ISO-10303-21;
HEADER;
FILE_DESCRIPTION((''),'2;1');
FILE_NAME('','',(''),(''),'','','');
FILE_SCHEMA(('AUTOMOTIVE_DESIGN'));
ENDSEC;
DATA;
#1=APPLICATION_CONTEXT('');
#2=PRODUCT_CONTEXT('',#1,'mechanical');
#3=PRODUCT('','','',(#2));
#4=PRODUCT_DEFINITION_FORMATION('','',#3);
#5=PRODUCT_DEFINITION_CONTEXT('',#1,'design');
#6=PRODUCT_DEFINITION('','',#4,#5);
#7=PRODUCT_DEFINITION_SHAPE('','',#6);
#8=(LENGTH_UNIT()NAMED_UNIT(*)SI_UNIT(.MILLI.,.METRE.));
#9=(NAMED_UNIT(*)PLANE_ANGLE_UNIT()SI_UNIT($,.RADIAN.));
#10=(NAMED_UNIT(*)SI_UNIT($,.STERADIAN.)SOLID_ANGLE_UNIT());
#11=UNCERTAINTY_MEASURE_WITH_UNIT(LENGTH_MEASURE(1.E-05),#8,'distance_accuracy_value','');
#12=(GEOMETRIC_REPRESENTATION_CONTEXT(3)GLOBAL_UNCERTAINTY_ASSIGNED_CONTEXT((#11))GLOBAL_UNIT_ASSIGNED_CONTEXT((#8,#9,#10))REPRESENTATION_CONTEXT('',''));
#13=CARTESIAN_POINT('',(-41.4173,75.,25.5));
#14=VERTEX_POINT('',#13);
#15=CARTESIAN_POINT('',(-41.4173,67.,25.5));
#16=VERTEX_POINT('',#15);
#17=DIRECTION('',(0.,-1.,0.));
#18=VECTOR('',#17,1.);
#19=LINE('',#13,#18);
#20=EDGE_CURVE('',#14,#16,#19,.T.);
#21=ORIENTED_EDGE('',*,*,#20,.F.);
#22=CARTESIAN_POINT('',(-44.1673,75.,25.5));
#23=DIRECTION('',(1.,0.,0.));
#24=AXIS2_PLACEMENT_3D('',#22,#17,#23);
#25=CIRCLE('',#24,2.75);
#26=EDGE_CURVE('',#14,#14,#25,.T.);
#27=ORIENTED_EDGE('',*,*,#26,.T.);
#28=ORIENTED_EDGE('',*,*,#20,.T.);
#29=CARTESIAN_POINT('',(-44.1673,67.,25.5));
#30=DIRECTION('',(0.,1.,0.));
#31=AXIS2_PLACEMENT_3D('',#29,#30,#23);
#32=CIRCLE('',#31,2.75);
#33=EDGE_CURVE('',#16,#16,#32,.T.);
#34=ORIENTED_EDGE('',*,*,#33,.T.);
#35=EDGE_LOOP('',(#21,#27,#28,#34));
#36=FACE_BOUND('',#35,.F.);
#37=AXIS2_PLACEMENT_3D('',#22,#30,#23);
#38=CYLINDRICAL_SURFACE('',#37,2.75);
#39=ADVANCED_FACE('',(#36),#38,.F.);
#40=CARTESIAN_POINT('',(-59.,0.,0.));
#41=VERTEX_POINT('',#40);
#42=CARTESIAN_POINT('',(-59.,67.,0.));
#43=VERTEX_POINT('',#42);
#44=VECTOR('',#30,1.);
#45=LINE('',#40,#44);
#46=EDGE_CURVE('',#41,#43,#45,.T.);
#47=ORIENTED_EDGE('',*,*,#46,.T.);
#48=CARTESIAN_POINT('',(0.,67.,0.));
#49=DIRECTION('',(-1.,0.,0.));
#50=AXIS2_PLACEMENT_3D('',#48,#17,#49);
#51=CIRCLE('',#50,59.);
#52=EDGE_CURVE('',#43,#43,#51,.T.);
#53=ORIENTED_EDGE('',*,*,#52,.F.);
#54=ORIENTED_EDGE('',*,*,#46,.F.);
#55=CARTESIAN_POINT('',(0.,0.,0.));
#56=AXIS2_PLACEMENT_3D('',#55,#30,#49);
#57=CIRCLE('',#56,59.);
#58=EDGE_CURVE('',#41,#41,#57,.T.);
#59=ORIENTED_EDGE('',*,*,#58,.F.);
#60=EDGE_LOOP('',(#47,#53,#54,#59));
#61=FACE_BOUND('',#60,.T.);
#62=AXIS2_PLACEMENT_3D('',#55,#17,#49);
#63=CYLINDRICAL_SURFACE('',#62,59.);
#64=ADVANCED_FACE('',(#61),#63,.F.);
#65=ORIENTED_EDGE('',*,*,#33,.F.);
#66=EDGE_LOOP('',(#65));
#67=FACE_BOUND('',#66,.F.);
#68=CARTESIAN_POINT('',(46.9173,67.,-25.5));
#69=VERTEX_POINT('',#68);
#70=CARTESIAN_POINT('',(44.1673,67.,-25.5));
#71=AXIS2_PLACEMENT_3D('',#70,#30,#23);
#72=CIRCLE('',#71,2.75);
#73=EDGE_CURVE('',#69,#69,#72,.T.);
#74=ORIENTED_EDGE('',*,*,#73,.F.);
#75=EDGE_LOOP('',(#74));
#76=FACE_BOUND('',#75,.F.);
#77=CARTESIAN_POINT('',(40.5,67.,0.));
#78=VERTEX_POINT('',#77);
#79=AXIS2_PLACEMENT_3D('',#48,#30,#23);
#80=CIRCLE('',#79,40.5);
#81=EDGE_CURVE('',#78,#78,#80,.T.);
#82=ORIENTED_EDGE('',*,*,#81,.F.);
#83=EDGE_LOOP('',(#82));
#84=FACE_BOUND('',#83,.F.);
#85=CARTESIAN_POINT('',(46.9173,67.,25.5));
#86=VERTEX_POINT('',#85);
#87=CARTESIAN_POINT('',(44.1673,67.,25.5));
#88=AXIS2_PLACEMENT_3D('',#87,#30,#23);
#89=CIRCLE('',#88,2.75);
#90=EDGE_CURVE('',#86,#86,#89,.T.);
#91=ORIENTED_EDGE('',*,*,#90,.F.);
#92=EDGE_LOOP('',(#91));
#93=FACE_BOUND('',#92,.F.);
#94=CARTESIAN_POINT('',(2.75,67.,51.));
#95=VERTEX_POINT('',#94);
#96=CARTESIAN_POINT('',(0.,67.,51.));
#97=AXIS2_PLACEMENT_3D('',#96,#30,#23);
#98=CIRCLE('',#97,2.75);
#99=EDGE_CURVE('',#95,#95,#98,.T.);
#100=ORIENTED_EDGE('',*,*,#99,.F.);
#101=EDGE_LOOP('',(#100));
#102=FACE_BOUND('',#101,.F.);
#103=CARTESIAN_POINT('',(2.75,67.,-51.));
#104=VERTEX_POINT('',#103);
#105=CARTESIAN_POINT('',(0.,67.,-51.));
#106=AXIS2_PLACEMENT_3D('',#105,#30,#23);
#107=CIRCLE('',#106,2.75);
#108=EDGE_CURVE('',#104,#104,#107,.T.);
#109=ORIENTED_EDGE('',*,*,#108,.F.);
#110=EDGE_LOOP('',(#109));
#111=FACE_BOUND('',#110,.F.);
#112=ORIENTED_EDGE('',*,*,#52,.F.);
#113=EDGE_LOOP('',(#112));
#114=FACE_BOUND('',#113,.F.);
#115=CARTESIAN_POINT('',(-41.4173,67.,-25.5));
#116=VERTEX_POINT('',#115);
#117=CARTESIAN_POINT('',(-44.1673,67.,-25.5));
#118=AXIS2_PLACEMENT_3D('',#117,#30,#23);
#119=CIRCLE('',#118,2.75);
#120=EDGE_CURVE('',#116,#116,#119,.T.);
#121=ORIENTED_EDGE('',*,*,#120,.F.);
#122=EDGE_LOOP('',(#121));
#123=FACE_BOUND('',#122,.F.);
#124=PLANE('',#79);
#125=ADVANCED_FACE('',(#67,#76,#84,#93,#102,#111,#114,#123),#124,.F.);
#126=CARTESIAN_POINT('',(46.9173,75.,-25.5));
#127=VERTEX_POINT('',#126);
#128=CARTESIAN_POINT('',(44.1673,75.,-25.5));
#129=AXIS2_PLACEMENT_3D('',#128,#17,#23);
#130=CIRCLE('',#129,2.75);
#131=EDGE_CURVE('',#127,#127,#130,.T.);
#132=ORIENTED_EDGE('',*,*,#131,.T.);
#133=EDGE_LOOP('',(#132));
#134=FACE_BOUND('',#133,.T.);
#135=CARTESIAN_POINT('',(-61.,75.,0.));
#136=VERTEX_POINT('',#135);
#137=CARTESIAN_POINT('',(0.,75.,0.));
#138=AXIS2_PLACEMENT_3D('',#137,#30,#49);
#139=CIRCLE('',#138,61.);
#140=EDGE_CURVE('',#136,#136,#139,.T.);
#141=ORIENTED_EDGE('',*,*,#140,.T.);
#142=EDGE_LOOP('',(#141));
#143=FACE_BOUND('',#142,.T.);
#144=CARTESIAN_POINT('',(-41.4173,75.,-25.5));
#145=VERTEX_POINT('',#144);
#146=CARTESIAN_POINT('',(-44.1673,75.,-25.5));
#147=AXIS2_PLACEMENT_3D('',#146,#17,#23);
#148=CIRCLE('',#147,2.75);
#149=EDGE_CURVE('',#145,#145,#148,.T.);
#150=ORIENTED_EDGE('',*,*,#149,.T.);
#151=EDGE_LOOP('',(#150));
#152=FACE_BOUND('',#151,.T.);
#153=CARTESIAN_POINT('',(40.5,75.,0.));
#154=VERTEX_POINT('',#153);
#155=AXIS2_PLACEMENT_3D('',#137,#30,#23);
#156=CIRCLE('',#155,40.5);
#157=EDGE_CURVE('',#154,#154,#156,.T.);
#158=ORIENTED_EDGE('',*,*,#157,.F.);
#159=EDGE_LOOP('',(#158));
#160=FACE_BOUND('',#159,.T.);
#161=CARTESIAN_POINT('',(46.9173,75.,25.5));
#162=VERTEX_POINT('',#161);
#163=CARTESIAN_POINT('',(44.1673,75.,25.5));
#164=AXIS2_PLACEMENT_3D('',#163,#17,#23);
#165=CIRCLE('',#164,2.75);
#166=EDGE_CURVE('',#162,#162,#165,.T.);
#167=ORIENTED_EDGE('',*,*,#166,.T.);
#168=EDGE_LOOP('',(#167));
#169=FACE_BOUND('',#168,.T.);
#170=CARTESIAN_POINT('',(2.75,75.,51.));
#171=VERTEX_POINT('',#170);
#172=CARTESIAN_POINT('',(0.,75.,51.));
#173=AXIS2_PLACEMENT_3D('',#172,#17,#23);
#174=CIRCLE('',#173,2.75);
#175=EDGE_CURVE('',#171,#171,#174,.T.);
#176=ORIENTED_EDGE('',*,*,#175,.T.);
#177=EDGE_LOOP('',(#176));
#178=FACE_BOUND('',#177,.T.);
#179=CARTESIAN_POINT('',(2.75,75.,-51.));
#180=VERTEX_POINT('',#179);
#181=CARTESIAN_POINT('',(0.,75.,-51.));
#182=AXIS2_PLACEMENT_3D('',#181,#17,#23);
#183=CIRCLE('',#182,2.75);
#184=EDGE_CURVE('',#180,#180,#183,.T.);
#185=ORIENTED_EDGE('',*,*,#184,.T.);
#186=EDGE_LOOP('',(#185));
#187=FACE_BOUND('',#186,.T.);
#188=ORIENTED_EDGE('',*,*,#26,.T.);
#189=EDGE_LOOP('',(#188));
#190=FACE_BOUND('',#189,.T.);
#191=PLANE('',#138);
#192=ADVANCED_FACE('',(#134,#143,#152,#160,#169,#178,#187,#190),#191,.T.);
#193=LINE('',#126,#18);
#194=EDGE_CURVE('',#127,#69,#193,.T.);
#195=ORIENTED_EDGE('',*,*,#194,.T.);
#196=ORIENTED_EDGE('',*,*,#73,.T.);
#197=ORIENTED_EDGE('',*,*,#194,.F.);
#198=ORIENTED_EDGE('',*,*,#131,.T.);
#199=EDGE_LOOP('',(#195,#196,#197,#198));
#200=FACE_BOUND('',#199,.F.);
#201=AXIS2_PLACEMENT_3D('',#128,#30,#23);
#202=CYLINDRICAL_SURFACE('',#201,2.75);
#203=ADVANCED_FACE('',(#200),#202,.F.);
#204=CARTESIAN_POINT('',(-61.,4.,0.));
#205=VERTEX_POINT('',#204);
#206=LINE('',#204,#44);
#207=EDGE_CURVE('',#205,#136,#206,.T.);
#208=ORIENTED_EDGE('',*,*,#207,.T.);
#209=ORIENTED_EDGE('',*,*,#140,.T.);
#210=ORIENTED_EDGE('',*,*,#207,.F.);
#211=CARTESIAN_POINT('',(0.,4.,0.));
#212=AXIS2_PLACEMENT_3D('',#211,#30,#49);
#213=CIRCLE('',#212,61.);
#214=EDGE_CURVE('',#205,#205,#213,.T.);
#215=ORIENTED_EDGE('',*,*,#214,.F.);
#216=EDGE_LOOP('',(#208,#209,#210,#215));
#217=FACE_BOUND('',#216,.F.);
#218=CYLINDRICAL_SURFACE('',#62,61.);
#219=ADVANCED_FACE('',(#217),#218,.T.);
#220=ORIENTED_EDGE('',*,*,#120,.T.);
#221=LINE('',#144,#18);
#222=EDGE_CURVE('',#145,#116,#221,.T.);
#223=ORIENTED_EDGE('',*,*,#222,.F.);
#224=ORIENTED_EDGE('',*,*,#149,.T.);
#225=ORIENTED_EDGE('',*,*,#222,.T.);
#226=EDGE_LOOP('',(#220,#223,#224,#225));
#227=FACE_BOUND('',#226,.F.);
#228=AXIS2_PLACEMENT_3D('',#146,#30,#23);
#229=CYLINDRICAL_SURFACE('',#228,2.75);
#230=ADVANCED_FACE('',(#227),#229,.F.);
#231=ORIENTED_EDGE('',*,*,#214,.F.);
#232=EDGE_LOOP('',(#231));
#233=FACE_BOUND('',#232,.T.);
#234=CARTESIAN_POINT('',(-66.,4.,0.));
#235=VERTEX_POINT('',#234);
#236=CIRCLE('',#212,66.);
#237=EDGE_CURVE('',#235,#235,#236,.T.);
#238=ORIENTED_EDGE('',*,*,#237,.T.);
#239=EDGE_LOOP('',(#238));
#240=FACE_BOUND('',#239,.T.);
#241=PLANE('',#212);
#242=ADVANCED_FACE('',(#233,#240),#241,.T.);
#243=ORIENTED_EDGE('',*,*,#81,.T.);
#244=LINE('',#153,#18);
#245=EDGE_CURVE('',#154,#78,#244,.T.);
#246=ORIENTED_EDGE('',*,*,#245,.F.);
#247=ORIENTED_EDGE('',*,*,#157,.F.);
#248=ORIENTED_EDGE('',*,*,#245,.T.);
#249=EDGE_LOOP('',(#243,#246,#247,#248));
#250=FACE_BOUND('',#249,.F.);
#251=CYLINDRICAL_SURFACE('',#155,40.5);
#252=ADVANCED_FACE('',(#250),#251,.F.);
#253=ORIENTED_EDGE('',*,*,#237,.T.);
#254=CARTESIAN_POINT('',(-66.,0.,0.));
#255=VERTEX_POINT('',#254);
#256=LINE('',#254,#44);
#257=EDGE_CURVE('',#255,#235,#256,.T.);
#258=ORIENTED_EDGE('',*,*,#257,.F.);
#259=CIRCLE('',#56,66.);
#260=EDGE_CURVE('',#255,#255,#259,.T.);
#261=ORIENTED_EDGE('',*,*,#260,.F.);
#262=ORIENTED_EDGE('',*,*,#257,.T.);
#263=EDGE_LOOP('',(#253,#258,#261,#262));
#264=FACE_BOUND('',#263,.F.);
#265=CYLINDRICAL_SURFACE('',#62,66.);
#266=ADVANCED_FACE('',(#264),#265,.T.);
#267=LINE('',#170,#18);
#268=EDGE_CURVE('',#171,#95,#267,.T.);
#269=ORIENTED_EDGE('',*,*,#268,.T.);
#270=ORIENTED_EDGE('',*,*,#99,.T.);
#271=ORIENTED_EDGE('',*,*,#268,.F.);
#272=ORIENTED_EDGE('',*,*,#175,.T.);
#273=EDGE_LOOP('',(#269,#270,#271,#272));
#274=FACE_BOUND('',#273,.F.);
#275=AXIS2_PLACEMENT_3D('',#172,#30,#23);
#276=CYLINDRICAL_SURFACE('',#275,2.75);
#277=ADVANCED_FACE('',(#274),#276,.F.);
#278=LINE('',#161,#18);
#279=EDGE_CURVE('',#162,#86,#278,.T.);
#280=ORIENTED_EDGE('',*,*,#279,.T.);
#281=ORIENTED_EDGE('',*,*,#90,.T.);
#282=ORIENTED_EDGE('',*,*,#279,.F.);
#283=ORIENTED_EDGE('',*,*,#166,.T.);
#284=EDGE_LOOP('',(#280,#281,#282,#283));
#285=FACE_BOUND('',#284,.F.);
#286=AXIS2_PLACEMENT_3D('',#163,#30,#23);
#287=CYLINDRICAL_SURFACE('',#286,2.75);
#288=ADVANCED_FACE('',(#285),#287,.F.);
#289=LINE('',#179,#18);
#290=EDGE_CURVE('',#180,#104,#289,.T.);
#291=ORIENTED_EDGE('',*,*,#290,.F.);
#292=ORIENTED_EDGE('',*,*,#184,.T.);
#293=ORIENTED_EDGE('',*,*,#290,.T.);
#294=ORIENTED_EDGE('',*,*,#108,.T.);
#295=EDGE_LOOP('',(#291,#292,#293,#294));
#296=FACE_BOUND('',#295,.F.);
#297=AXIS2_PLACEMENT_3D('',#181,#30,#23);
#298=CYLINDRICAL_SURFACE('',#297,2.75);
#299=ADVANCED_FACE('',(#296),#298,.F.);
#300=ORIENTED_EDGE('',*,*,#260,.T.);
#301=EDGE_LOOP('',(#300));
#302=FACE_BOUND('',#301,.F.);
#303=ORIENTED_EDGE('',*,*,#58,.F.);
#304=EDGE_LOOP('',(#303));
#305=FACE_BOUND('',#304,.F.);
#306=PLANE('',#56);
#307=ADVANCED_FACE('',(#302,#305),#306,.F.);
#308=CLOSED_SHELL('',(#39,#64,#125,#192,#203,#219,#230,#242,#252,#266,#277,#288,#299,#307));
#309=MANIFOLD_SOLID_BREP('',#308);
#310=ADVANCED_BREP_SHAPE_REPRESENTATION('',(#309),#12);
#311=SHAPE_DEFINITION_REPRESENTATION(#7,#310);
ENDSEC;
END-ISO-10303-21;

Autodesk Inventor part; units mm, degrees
ref_plane "YZ Plane" through (0, 0, 0) normal (1, 0, 0) x (0, 1, 0)
ref_plane "XZ Plane" through (0, 0, 0) normal (0, 1, 0) x (-1, 0, 0)
sketch "Sketch1" plane through (0, 0, 0) normal (0, 1, 0) x (-1, 0, 0)
  circle A0 centre (0, 0) radius 66
  circle A1 centre (0, 0) radius 61
  circle A2 centre (0, 0) radius 59
  dimension "Absolute_Diameter" = 132
  dimension "Diameter_No_Outer_Lip" = 122
  dimension "Inner_Cylinder_Diameter" = 118
extrude "Extrusion1" add sketch "Sketch1" along normal blind 4 contours A0
extrude "Extrusion2" add sketch "Sketch1" along normal blind 75 contours A1
sketch "Sketch2" plane through (0, 75, 0) normal (0, 1, 0) x (1, 0, 0)
  circle A0 centre (0, 0) radius 40.5
  circle A1 centre (0, 0) radius 61
  dimension "Lip_Diameter_Out" = 81
  dimension "Top_Outer_Lip_Diameter" = 122
extrude "Extrusion7" add sketch "Sketch2" against normal blind 8
ref_plane "Work Plane2" through (0, 10, 0) normal (0, 1, 0) x (1, 0, 0)
sketch "Sketch3" plane through (0, 10, 0) normal (0, 1, 0) x (1, 0, 0)
  circle A0 centre (0, 0) radius 127.5
  circle A1 centre (-127.5, 0) radius 2.5
  circle A2 centre (-103.1497, -74.9426) radius 2.5
  circle A3 centre (-39.3997, -121.2597) radius 2.5
  circle A4 centre (39.3997, -121.2597) radius 2.5
  circle A5 centre (103.1497, -74.9426) radius 2.5
  circle A6 centre (127.5, 0) radius 2.5
  circle A7 centre (103.1497, 74.9426) radius 2.5
  circle A8 centre (39.3997, 121.2597) radius 2.5
  circle A9 centre (-39.3997, 121.2597) radius 2.5
  circle A10 centre (-103.1497, 74.9426) radius 2.5
  dimension "d27" = 255
  dimension "d28" = 5
  dimension "d31" = 360
extrude "Extrusion8" [suppressed]
sketch "Sketch24" plane through (0, 75, 0) normal (0, 1, 0) x (1, 0, 0)
  circle A0 centre (0, 0) radius 51
  circle A1 centre (0, -51) radius 2.75
  circle A2 centre (44.1673, -25.5) radius 2.75
  circle A3 centre (44.1673, 25.5) radius 2.75
  circle A4 centre (0, 51) radius 2.75
  circle A5 centre (-44.1673, 25.5) radius 2.75
  circle A6 centre (-44.1673, -25.5) radius 2.75
  dimension "d230" = 102
  dimension "d231" = 5.5
  dimension "d234" = 360
extrude "Extrusion30" cut sketch "Sketch24" against normal blind 10 contours A3 A0 | A0 A3 | A2 A0 | A0 A2 | A4 A0 | A0 A4 | A1 A0 | A0 A1 | A5 A0 | A0 A5 | A6 A0 | A0 A6
properties part number "Cylinder Replacement- 11"
